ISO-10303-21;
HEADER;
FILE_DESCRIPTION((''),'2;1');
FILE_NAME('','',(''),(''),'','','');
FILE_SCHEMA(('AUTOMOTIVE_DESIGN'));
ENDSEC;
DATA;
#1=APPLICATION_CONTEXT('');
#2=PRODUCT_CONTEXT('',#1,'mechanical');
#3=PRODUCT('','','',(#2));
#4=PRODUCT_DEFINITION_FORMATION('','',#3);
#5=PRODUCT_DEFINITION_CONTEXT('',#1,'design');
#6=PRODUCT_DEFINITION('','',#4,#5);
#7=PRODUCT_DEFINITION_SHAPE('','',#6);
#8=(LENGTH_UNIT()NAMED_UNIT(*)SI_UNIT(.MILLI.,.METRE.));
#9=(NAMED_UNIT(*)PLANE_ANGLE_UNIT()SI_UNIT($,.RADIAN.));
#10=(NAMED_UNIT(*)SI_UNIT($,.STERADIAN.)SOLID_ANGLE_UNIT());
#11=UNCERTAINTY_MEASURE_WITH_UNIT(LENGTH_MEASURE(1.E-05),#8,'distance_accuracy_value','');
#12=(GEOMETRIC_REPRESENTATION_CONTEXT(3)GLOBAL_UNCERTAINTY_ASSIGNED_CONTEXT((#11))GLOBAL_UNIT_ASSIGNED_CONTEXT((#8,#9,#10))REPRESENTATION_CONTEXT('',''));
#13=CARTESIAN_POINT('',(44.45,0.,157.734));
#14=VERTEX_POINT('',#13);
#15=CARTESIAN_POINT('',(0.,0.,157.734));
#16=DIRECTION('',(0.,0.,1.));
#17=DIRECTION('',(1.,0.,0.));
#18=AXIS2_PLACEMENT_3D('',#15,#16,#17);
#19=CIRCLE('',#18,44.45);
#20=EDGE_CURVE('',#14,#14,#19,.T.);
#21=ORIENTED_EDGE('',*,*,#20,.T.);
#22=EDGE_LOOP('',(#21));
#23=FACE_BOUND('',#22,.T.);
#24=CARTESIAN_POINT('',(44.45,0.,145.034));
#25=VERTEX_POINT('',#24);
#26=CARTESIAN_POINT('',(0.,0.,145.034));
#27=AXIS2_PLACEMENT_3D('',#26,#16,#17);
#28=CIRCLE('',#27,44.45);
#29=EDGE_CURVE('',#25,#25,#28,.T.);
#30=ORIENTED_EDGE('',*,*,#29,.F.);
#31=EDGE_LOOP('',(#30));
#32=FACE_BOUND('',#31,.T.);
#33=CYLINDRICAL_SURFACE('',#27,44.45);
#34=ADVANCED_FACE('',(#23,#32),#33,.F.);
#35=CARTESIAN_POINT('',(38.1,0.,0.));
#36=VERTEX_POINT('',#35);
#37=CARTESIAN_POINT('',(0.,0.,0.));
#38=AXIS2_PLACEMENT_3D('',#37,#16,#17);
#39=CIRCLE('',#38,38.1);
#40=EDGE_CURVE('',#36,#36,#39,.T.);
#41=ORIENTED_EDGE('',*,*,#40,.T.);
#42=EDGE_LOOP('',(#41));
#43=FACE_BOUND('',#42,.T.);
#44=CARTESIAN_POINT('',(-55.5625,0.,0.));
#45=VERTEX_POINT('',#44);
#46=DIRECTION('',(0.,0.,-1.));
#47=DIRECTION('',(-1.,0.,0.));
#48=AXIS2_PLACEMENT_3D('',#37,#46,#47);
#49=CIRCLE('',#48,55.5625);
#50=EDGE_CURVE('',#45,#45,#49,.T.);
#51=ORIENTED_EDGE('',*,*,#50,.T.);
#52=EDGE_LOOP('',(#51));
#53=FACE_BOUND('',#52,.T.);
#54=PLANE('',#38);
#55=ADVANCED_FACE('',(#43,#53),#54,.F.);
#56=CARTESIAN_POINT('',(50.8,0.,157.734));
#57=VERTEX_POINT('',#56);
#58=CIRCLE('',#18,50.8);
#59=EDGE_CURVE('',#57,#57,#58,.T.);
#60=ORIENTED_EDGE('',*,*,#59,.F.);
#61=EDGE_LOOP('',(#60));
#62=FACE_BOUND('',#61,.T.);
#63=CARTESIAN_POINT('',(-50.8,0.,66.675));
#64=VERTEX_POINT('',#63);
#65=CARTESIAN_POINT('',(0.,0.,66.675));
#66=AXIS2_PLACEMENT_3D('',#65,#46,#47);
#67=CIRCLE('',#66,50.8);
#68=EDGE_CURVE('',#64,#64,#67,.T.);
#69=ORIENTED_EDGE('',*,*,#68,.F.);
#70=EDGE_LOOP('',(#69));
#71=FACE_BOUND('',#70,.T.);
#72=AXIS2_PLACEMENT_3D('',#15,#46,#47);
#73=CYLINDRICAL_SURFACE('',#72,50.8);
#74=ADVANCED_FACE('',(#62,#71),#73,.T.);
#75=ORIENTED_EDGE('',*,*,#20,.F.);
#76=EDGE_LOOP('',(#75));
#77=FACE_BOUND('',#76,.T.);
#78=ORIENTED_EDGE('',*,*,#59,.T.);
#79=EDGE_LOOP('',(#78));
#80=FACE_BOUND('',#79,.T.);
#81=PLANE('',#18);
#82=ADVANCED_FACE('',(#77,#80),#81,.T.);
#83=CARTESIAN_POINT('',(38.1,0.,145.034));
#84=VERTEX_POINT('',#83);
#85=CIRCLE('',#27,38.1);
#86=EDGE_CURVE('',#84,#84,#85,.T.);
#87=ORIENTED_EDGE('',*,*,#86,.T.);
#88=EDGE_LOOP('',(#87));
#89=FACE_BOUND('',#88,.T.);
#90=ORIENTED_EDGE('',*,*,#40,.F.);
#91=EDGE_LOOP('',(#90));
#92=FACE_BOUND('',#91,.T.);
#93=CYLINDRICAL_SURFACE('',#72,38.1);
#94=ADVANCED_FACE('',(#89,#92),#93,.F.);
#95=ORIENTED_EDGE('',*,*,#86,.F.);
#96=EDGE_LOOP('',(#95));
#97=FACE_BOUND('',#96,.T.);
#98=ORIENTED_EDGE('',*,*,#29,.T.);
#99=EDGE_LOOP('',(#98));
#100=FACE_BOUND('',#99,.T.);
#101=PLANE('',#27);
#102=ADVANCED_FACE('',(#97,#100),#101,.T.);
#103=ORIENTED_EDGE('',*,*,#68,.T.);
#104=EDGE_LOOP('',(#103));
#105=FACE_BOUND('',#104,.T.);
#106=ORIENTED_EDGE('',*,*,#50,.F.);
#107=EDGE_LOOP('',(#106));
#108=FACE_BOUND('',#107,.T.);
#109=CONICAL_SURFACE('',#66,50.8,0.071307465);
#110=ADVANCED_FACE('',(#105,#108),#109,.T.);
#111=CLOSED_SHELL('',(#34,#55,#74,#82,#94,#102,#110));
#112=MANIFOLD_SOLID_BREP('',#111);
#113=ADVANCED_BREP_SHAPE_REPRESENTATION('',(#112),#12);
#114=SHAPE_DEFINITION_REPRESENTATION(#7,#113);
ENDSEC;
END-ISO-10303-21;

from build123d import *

# Parameters (mm, degrees)
SKETCH1_R           = 50.8
SKETCH1_R_2         = 38.1
BOSS_EXTRUDE1_DEPTH = 157.734
SKETCH2_R           = 38.1
SKETCH2_R_2         = 44.45
CUT_EXTRUDE1_DEPTH  = 12.7


with BuildPart() as part:
    # Sketch1 → Boss-Extrude1 (new body)
    with BuildSketch(Plane.XY):
        Circle(SKETCH1_R)
        Circle(SKETCH1_R_2, mode=Mode.SUBTRACT)
    extrude(amount=BOSS_EXTRUDE1_DEPTH)

    # Sketch2 → Cut-Extrude1 (cut)
    with BuildSketch(Plane.XY.offset(157.734)):
        Circle(SKETCH2_R)
        Circle(SKETCH2_R_2)
        Circle(SKETCH2_R, mode=Mode.SUBTRACT)
    extrude(amount=-CUT_EXTRUDE1_DEPTH, mode=Mode.SUBTRACT)

    # Sketch3 → Revolve1 (revolve)
    with BuildSketch(Plane(origin=(0, 0, 0), x_dir=(1, 0, 0), z_dir=(0, 1, 0))):
        Polygon((55.5625, 0), (50.8, -66.675), (50.8, 0), align=None)
    revolve(axis=Axis((0, 0, 0), (0, 0, 1)))


solid = part.part
